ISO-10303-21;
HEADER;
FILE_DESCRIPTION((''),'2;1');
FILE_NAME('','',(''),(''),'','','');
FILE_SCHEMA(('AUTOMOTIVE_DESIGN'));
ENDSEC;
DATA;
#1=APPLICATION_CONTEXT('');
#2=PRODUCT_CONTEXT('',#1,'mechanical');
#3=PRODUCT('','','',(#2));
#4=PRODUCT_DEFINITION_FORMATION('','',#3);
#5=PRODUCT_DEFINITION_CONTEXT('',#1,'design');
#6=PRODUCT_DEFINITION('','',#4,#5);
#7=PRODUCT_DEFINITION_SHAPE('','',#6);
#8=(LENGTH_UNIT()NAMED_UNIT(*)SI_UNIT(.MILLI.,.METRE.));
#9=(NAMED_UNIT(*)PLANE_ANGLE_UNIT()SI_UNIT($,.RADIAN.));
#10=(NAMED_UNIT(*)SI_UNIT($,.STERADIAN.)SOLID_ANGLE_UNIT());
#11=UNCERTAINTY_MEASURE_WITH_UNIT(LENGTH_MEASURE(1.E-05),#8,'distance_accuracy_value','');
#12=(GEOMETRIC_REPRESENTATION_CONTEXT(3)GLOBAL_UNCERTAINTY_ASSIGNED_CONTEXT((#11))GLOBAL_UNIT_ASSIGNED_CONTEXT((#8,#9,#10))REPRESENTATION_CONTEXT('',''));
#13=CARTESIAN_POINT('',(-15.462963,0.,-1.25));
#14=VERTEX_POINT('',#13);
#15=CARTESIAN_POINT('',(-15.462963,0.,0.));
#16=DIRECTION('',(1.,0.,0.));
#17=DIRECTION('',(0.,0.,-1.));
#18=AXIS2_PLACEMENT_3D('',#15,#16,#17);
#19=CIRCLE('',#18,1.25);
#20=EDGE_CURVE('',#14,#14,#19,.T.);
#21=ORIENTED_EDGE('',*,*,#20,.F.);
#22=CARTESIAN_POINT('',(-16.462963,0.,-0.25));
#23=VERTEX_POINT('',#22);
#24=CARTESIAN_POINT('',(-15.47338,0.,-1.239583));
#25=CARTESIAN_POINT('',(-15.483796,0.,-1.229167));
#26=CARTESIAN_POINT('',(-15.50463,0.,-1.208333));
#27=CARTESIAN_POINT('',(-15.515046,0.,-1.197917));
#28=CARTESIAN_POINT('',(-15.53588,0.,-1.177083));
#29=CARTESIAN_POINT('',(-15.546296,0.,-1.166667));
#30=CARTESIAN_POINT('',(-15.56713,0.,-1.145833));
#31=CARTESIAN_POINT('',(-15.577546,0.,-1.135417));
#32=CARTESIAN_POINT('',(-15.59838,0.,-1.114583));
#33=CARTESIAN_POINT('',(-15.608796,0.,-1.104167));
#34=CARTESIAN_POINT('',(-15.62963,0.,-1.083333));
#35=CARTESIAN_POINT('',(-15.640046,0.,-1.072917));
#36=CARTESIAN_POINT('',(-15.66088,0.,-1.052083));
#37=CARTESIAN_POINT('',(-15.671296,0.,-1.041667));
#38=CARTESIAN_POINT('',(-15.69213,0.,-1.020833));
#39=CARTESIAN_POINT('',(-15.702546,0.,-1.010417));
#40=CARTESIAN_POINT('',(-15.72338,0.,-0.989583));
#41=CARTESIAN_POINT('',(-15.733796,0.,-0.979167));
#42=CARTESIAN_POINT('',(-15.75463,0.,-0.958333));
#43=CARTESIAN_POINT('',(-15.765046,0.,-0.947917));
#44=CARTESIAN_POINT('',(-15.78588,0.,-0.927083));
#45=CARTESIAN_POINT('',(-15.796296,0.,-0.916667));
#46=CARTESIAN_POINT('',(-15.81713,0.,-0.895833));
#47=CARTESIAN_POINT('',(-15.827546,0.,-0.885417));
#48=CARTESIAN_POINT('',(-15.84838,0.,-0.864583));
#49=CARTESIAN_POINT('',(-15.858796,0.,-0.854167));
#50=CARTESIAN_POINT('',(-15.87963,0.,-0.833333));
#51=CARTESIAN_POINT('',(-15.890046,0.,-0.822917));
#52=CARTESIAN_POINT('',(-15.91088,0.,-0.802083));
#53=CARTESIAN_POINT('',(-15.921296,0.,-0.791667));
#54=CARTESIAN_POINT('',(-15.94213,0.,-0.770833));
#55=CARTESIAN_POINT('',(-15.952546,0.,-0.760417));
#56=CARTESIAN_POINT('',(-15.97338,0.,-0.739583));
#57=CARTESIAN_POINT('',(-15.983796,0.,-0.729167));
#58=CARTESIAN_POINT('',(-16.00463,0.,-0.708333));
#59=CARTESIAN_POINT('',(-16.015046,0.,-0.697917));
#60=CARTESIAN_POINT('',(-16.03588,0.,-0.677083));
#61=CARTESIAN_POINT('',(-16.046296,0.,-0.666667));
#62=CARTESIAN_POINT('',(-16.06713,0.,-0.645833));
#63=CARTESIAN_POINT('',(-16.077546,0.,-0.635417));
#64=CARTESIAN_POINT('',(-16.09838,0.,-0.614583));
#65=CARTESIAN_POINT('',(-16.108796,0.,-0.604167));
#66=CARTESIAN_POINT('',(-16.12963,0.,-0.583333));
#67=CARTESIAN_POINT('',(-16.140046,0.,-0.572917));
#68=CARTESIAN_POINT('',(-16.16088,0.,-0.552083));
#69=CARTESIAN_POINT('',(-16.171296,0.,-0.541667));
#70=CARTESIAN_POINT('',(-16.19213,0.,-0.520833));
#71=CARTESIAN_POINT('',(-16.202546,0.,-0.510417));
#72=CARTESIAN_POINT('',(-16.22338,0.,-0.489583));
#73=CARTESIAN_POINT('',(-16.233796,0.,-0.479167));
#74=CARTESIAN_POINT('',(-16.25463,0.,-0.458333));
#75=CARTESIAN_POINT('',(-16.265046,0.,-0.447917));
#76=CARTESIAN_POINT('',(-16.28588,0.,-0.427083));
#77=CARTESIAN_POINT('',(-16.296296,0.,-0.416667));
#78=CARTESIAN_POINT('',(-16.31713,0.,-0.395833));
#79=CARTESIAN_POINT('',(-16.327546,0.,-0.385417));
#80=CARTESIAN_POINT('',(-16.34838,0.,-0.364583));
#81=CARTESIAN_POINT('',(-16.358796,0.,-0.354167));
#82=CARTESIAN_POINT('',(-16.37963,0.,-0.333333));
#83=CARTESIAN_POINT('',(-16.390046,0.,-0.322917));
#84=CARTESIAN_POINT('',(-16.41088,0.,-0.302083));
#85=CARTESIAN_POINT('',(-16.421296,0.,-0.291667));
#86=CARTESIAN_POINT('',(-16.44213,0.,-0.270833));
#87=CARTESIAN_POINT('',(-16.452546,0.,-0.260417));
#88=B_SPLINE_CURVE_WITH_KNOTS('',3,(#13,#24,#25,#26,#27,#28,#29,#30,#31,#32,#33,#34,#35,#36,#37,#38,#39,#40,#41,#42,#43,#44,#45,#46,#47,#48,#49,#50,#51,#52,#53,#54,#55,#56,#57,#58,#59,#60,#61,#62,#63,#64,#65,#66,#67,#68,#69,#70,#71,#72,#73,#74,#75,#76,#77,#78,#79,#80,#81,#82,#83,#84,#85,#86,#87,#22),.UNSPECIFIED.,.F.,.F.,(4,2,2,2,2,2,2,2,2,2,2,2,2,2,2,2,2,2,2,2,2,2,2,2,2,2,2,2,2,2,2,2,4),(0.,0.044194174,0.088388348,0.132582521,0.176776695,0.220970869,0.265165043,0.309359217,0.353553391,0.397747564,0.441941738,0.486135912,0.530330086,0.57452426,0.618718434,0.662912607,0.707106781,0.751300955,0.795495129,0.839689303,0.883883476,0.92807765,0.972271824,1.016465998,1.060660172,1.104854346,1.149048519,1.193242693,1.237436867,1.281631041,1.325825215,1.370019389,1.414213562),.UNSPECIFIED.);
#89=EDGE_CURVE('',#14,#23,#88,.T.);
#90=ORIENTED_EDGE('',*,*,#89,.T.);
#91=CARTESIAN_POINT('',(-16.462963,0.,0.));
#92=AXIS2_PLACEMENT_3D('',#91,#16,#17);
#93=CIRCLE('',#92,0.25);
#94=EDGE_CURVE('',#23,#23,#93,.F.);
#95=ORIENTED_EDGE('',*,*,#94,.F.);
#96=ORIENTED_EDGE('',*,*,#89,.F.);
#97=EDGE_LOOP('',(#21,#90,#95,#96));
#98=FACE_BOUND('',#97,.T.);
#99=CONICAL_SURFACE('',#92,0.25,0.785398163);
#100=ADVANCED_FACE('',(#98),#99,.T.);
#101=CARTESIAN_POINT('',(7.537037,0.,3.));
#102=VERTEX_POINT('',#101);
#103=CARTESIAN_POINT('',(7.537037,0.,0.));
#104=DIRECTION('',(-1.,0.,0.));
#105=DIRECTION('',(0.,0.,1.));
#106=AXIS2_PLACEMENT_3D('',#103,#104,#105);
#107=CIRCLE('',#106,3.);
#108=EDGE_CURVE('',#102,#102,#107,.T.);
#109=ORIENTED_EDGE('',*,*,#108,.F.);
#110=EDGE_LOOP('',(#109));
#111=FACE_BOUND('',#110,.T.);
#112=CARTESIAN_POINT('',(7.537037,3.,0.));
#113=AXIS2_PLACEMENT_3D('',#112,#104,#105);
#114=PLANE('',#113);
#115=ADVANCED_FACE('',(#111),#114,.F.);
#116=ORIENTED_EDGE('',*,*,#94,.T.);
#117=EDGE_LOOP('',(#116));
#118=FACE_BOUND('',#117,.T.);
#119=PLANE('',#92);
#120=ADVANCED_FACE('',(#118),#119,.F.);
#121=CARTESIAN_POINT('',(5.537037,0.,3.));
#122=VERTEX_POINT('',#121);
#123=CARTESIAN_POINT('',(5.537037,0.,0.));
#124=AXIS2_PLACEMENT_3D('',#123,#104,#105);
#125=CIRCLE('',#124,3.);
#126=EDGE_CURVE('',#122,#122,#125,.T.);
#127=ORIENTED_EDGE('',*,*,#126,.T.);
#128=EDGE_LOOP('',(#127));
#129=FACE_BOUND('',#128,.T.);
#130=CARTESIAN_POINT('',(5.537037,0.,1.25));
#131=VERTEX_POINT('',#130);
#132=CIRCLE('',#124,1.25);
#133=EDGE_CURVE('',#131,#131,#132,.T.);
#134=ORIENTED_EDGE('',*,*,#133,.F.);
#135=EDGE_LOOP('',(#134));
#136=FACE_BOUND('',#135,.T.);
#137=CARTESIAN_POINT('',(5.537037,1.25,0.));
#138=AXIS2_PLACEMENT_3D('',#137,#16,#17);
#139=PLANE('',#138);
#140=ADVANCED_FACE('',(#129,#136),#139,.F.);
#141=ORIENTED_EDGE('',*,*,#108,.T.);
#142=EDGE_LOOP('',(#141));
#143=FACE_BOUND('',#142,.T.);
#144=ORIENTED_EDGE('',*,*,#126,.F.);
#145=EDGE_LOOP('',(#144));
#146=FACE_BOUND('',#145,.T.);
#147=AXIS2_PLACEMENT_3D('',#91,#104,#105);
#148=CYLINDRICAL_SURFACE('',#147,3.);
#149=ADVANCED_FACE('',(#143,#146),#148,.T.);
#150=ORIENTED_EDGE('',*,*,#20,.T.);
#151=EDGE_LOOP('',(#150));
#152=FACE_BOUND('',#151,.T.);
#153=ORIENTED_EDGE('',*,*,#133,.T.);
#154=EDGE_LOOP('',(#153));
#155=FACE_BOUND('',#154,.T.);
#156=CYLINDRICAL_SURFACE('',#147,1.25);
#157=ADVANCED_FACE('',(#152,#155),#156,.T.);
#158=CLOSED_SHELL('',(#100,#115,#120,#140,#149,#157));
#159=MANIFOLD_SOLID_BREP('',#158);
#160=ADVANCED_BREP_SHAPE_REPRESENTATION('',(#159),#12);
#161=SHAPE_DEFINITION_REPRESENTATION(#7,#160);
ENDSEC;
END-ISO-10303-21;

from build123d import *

# Parameters (mm, degrees)
CHAMFER2_SIZE = 1


with BuildPart() as part:
    # Sketch1 → Revolve1 (revolve)
    with BuildSketch(Plane.XY, mode=Mode.PRIVATE) as revolve1_sk:
        Polygon((-16.462962963, 0), (-16.462962963, 1.25), (5.537037037, 1.25), (5.537037037, 3), (7.537037037, 3), (7.537037037, 0), align=None)
    revolve(revolve1_sk.sketch.rotate(Axis((-16.462962963, 0, 0), (1, 0, 0)), 90), axis=Axis((-16.462962963, 0, 0), (1, 0, 0)))

    # Chamfer2
    chamfer2_edges = [part.edges().sort_by_distance(p)[0] for p in [
        (-16.462962963, 0, -1.25),
    ]]
    chamfer(chamfer2_edges, length=CHAMFER2_SIZE)


solid = part.part
